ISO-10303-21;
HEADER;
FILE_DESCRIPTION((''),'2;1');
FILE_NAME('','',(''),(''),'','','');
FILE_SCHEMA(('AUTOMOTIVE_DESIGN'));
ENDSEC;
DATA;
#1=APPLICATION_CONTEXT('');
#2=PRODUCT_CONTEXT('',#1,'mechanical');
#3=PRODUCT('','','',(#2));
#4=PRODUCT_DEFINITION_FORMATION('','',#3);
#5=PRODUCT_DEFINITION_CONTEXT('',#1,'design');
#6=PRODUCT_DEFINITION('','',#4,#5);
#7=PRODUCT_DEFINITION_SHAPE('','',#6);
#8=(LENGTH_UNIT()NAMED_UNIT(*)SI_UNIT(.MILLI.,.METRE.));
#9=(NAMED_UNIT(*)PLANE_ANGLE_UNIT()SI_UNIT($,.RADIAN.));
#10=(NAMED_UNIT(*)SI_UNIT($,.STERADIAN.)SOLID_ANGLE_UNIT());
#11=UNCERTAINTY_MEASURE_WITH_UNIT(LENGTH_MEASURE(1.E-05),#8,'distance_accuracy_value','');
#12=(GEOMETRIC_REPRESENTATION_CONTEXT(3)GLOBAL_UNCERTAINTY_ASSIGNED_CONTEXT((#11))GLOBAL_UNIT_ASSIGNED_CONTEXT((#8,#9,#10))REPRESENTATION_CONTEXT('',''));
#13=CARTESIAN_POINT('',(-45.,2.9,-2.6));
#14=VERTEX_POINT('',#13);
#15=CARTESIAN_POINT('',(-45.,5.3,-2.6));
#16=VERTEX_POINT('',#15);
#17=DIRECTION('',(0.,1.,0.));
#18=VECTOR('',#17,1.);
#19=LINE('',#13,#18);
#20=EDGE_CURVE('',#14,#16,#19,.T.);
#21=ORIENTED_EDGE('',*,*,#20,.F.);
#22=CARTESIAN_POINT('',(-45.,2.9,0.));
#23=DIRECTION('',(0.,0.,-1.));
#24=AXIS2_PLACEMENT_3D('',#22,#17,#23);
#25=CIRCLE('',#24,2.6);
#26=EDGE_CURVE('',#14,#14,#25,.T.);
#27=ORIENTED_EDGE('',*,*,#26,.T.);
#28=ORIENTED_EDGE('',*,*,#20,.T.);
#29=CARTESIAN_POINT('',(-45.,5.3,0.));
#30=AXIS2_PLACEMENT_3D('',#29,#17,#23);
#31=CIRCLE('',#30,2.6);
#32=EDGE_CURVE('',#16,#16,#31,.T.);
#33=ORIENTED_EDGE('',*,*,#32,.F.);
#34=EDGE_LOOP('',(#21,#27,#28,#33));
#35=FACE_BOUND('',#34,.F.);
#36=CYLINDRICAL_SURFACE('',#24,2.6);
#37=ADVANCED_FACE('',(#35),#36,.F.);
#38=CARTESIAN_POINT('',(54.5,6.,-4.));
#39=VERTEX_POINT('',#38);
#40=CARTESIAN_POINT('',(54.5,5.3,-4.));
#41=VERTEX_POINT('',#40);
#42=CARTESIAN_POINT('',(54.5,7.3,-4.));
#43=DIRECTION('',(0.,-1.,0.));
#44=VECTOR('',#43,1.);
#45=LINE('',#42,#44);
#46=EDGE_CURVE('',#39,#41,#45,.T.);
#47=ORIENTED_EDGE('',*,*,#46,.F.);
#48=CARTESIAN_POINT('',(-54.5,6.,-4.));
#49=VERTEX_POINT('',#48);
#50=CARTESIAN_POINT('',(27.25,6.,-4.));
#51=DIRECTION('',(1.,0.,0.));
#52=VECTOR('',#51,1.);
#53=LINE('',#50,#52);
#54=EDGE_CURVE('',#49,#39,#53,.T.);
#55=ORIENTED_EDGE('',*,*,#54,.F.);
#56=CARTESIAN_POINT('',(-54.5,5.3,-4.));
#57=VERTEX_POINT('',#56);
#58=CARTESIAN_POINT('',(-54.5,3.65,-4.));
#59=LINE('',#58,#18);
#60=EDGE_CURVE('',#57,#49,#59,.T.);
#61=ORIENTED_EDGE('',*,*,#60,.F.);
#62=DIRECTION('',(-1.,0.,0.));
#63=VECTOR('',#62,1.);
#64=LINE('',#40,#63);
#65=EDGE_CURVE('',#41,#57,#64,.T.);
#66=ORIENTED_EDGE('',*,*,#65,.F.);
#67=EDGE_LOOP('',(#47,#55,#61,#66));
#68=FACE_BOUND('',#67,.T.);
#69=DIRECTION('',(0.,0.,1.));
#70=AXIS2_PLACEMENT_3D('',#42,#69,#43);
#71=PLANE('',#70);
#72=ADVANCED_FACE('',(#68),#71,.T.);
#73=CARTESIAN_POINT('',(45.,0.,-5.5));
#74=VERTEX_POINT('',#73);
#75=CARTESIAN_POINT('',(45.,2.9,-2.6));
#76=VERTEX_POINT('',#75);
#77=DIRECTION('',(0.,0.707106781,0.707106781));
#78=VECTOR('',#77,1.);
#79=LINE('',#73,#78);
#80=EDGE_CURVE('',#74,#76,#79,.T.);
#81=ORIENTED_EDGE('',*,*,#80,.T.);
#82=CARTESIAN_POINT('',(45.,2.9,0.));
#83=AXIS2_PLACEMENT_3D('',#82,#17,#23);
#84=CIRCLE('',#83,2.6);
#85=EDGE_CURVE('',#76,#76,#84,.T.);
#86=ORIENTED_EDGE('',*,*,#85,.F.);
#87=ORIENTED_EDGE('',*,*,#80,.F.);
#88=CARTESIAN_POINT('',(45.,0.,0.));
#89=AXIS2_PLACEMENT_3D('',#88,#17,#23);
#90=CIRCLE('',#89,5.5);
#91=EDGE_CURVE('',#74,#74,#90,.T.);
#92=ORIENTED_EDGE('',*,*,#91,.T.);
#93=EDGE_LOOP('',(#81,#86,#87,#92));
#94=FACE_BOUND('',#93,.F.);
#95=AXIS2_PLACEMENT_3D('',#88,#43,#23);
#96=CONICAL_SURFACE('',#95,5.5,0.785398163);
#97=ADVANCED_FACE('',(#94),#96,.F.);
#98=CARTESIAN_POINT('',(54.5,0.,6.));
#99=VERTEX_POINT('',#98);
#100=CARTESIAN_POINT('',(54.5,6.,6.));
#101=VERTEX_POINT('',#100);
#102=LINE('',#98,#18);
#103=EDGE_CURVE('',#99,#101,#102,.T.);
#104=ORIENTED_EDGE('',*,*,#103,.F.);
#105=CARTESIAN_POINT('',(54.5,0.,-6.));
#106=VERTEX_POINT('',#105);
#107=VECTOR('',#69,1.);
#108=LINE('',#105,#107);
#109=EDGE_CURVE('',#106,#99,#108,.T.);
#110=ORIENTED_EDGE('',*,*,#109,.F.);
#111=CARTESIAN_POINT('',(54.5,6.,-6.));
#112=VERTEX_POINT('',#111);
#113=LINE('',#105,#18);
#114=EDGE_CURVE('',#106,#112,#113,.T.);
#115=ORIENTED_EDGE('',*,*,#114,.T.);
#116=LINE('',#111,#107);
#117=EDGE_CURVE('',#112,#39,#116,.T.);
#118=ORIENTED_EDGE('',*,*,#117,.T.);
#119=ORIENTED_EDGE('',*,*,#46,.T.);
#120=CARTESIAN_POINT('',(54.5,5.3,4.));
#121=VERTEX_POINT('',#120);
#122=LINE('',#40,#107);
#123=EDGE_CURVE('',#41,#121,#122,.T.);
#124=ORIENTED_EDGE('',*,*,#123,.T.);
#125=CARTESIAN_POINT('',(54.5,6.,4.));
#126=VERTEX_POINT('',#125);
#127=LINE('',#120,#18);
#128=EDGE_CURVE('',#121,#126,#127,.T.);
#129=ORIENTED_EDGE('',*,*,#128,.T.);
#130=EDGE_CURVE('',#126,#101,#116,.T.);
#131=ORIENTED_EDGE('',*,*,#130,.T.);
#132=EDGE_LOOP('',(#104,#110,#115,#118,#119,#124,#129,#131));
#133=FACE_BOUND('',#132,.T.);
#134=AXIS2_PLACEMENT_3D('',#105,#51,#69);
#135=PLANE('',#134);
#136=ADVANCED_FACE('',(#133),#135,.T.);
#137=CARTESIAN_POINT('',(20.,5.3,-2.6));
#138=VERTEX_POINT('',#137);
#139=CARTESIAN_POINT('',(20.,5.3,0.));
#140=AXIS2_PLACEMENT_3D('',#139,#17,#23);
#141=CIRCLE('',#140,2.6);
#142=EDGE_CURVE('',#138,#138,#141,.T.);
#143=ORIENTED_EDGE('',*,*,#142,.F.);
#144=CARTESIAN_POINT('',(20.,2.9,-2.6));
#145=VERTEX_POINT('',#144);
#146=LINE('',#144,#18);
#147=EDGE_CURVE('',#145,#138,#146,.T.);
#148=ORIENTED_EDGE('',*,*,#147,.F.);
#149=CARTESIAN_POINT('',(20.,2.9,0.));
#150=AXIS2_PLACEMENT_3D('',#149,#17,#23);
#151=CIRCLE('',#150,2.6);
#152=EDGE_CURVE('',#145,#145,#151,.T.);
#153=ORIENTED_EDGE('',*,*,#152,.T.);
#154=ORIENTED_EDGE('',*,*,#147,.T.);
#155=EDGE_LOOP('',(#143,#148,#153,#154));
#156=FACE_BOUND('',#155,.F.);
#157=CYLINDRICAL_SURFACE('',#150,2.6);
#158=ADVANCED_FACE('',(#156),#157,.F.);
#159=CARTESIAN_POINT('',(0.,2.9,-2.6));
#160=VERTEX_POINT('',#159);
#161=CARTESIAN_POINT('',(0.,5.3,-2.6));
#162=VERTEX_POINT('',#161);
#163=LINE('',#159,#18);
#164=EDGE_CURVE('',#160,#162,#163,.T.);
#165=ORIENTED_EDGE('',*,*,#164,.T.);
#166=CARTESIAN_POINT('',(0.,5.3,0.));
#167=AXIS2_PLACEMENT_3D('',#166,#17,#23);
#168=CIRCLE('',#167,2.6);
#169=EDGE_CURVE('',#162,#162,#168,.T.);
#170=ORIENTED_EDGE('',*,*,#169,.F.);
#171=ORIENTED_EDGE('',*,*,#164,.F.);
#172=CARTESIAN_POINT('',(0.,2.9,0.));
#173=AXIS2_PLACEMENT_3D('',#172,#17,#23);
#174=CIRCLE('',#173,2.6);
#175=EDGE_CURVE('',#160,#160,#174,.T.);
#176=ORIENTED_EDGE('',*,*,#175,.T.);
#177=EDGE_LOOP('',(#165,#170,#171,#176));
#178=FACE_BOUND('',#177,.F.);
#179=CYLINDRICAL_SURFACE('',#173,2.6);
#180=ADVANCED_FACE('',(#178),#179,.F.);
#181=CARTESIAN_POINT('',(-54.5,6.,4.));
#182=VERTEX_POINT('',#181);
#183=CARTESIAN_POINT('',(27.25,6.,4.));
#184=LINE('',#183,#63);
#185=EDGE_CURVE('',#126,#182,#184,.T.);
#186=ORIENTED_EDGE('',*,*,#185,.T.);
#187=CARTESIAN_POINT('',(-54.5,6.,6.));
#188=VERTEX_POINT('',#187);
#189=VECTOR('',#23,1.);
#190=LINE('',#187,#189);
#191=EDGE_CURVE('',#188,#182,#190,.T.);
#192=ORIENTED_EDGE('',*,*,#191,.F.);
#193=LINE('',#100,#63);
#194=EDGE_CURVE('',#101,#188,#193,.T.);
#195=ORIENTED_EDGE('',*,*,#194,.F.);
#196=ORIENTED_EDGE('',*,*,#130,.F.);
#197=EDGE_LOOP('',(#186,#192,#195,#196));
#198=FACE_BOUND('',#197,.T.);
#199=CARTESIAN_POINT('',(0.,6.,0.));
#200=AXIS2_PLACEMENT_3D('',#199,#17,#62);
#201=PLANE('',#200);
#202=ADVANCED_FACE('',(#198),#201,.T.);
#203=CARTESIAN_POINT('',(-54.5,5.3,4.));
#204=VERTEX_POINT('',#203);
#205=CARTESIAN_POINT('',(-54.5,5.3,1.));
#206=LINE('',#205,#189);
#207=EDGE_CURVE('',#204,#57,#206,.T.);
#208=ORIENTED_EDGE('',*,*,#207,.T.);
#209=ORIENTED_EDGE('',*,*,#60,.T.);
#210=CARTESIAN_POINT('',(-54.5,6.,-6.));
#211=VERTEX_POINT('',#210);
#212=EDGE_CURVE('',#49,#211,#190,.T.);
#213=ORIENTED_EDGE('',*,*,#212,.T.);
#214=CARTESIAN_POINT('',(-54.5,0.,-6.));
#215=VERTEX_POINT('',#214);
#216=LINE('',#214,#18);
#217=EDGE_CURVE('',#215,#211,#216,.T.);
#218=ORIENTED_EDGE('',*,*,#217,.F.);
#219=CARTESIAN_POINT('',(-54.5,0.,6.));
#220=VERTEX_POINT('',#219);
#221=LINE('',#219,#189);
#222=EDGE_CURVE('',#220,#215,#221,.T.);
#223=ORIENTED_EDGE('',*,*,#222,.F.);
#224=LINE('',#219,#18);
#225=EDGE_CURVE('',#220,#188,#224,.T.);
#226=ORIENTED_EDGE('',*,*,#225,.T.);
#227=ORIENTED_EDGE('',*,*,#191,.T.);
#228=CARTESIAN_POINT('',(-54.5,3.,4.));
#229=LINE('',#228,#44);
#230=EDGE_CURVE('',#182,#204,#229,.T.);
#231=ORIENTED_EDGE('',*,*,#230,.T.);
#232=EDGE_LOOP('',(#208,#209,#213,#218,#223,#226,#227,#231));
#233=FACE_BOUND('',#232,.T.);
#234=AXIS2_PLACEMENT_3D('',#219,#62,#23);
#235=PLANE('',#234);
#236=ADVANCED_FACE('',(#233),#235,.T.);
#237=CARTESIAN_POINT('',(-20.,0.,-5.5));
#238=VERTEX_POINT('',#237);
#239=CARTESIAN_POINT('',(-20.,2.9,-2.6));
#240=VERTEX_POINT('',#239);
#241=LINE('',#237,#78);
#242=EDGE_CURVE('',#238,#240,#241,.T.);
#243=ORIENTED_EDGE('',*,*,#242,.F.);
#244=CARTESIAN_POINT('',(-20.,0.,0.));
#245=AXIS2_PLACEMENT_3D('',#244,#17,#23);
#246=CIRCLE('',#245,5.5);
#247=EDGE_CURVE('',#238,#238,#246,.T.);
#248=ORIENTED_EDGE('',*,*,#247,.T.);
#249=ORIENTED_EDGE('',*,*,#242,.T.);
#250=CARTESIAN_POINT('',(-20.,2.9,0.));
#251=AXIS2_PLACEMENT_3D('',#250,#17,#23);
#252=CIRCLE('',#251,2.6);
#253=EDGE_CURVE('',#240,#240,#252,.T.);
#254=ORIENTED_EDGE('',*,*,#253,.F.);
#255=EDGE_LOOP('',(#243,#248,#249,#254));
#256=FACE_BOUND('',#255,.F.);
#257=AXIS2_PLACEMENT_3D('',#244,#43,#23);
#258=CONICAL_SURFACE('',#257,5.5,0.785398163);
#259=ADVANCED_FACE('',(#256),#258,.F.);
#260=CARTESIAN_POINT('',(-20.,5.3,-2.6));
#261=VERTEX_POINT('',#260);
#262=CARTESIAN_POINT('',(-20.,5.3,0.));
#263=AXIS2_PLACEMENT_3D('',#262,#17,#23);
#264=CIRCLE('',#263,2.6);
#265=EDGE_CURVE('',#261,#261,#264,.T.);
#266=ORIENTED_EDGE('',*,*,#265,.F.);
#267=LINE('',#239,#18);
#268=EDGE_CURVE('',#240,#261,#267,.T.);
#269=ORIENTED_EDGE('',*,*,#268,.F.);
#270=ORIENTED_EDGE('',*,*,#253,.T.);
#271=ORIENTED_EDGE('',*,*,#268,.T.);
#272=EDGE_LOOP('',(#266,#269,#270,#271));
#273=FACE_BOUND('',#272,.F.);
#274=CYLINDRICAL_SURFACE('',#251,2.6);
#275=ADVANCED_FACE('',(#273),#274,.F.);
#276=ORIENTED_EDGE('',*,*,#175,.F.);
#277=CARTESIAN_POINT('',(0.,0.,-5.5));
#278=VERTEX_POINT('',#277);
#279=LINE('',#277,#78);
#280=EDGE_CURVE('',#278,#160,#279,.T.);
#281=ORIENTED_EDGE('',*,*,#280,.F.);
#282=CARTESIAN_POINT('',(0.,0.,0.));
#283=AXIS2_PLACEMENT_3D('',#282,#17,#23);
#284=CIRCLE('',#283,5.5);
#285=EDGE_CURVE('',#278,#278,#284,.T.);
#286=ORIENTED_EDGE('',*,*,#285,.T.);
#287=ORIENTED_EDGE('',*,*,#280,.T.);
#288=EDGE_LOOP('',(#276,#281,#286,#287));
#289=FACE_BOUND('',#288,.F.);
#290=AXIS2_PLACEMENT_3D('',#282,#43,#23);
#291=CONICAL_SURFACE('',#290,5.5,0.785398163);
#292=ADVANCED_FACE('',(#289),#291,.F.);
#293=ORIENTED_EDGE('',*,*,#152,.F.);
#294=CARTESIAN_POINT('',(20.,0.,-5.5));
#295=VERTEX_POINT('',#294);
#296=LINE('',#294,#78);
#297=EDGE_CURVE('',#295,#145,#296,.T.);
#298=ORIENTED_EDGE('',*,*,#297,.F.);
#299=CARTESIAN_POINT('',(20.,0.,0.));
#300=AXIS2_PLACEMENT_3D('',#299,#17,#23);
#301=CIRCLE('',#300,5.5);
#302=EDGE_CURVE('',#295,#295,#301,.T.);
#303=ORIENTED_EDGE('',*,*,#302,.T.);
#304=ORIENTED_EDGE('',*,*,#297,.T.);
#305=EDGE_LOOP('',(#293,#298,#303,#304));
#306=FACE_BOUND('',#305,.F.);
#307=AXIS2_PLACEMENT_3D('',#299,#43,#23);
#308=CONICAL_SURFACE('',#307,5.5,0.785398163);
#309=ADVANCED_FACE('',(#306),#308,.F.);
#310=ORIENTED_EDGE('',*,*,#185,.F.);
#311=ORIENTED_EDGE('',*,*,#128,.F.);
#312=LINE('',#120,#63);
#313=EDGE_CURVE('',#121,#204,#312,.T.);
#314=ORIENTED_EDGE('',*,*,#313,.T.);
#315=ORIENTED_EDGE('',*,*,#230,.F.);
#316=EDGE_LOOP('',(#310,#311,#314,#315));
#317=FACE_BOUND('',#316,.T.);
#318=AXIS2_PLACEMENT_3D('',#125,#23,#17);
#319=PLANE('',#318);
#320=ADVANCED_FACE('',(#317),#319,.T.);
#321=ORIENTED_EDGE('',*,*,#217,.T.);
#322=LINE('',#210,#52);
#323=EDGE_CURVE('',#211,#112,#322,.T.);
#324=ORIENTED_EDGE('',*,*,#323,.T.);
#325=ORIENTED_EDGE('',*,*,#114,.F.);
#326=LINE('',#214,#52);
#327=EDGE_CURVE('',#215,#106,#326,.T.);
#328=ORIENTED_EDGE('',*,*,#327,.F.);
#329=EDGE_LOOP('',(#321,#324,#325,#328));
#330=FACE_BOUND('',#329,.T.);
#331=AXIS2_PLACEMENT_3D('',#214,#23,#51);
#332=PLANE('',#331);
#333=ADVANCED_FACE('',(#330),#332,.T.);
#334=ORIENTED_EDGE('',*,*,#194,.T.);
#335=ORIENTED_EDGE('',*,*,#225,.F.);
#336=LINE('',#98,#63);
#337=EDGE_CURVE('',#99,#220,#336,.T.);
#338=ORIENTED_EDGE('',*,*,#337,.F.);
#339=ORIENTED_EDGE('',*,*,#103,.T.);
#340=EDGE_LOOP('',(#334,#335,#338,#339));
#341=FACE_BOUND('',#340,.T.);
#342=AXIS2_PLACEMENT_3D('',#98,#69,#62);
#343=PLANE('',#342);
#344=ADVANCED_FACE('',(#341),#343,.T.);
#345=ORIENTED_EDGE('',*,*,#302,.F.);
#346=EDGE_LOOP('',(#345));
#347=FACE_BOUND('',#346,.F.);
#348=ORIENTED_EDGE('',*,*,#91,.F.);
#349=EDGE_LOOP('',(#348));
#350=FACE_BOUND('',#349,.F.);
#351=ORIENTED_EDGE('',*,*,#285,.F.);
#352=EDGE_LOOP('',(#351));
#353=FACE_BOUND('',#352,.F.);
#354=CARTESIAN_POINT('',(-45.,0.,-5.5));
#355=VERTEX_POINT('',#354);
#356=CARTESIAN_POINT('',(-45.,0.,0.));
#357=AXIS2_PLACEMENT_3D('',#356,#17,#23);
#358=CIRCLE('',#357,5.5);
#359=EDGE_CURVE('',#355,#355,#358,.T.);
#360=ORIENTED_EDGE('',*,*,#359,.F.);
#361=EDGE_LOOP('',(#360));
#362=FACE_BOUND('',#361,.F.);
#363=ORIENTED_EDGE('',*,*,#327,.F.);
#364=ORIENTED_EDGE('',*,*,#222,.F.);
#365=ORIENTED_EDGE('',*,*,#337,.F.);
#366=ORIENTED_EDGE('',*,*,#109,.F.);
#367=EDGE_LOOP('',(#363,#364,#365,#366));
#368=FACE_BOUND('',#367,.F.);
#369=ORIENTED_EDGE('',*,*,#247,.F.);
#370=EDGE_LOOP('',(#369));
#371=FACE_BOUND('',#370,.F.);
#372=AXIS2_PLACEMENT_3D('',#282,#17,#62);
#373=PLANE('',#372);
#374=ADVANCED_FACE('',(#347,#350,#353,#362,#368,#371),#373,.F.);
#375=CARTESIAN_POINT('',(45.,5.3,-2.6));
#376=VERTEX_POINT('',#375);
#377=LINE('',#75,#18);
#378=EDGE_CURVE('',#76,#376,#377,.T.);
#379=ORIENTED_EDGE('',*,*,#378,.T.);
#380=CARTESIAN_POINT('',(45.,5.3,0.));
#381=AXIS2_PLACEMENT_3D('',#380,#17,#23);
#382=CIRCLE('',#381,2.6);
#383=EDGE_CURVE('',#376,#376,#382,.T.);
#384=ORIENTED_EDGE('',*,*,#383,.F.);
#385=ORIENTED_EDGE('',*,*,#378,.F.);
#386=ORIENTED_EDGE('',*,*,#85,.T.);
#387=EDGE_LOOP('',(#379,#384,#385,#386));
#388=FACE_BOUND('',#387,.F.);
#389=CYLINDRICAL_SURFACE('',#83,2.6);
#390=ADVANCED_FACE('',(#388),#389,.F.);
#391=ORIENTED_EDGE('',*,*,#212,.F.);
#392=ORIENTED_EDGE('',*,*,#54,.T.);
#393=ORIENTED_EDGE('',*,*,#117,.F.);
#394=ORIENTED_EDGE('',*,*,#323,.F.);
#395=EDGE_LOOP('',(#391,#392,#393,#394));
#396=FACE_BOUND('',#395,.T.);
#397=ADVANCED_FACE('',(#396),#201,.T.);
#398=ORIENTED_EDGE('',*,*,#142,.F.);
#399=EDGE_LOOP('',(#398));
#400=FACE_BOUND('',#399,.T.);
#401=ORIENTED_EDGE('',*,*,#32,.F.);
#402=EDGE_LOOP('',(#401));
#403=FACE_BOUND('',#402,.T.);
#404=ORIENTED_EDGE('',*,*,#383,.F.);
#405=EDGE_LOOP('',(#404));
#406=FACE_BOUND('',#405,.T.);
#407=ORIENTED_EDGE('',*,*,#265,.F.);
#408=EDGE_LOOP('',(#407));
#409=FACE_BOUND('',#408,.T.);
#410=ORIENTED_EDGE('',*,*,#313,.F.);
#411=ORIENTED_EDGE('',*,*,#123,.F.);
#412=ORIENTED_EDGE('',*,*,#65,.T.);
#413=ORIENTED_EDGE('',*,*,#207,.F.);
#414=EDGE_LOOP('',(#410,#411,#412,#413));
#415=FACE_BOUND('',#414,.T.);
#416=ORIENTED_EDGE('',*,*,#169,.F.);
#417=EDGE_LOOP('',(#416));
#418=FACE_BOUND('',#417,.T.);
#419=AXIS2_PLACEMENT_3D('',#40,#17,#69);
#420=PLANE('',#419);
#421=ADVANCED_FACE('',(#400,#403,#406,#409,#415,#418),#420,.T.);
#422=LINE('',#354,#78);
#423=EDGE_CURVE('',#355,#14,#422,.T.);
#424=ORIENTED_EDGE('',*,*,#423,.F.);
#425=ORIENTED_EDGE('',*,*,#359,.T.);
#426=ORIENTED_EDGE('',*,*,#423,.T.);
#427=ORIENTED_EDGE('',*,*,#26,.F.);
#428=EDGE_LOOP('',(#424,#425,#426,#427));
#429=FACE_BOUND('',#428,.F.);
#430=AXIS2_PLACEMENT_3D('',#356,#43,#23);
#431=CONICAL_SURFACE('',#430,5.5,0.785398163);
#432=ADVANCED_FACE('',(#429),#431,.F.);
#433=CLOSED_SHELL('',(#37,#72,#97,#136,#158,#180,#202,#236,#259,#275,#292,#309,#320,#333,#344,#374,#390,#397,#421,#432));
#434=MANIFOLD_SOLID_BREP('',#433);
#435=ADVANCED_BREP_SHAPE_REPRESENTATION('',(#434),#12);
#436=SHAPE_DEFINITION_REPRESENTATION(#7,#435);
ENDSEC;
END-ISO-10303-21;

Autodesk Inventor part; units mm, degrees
ref_plane "YZ Plane" through (0, 0, 0) normal (1, 0, 0) x (0, 1, 0)
ref_plane "XZ Plane" through (0, 0, 0) normal (0, 1, 0) x (-1, 0, 0)
ref_plane "XY Plane" through (0, 0, 0) normal (0, 0, 1) x (1, 0, 0)
sketch "Body Outline" plane through (0, 0, 0) normal (0, 1, 0) x (-1, 0, 0)
  line L0 (54.5, -6) -> (-54.5, -6)
  line L1 (-54.5, -6) -> (-54.5, 6)
  line L2 (-54.5, 6) -> (54.5, 6)
  line L3 (54.5, 6) -> (54.5, -6)
  point P0 (0, 0)
  dimension "d0" = 109
  dimension "d1" = 54.5
  dimension "d2" = 12
  dimension "d3" = 6
extrude "Body" add sketch "Body Outline" along normal blind 6
sketch "Clamp Cutout Outline" plane through (54.5, 0, 6) normal (1, 0, 0) x (0, 0, -1)
  line L0 (2, 7.3) -> (10, 7.3)
  line L1 (10, 7.3) -> (10, 5.3)
  line L2 (10, 5.3) -> (2, 5.3)
  line L3 (2, 5.3) -> (2, 7.3)
  line L4 (0, 6) -> (12, 6) projected
  line L5 (0, 0) -> (0, 6) projected
  line L6 (12, 0) -> (12, 6) projected
  point P0 (6, 0)
  dimension "d6" = 0.7
  dimension "d7" = 2
  dimension "d8" = 2
  dimension "d9" = 2
extrude "Clamp Cutout" cut sketch "Clamp Cutout Outline" along normal through all both and the other way through all
sketch "Fastening Hole Positions" plane through (0, 0, 0) normal (0, -1, 0) x (1, 0, 0)
  point P0 (0, 0)
  point P1 (20, 0)
  point P2 (0, 0)
  point P3 (-20, 0)
  point P4 (45, 0)
  point P5 (-45, 0)
  dimension "d12" = 20
  dimension "d13" = 20
  dimension "d14" = 0
  dimension "d15" = 0
  dimension "d16" = 0
  dimension "d17" = 0
  dimension "d26" = 25
  dimension "d27" = 25
  dimension "d28" = 0
  dimension "d29" = 0
hole "Fastening Holes" at (20, 0, 0) at (0, 0, 0) at (-20, 0, 0) at (-45, 0, 0) at (45, 0, 0) direction (0, 1, 0) diameter 5.2 end through all countersink diameter 11 countersink angle 90
equation "\"d1\" = 0.5 * d0"
equation "\"d3\" = 0.5 * d2"
equation "\"d8\" = d7"
properties part number "LR Large Clamp" material "Aluminum 6061"
